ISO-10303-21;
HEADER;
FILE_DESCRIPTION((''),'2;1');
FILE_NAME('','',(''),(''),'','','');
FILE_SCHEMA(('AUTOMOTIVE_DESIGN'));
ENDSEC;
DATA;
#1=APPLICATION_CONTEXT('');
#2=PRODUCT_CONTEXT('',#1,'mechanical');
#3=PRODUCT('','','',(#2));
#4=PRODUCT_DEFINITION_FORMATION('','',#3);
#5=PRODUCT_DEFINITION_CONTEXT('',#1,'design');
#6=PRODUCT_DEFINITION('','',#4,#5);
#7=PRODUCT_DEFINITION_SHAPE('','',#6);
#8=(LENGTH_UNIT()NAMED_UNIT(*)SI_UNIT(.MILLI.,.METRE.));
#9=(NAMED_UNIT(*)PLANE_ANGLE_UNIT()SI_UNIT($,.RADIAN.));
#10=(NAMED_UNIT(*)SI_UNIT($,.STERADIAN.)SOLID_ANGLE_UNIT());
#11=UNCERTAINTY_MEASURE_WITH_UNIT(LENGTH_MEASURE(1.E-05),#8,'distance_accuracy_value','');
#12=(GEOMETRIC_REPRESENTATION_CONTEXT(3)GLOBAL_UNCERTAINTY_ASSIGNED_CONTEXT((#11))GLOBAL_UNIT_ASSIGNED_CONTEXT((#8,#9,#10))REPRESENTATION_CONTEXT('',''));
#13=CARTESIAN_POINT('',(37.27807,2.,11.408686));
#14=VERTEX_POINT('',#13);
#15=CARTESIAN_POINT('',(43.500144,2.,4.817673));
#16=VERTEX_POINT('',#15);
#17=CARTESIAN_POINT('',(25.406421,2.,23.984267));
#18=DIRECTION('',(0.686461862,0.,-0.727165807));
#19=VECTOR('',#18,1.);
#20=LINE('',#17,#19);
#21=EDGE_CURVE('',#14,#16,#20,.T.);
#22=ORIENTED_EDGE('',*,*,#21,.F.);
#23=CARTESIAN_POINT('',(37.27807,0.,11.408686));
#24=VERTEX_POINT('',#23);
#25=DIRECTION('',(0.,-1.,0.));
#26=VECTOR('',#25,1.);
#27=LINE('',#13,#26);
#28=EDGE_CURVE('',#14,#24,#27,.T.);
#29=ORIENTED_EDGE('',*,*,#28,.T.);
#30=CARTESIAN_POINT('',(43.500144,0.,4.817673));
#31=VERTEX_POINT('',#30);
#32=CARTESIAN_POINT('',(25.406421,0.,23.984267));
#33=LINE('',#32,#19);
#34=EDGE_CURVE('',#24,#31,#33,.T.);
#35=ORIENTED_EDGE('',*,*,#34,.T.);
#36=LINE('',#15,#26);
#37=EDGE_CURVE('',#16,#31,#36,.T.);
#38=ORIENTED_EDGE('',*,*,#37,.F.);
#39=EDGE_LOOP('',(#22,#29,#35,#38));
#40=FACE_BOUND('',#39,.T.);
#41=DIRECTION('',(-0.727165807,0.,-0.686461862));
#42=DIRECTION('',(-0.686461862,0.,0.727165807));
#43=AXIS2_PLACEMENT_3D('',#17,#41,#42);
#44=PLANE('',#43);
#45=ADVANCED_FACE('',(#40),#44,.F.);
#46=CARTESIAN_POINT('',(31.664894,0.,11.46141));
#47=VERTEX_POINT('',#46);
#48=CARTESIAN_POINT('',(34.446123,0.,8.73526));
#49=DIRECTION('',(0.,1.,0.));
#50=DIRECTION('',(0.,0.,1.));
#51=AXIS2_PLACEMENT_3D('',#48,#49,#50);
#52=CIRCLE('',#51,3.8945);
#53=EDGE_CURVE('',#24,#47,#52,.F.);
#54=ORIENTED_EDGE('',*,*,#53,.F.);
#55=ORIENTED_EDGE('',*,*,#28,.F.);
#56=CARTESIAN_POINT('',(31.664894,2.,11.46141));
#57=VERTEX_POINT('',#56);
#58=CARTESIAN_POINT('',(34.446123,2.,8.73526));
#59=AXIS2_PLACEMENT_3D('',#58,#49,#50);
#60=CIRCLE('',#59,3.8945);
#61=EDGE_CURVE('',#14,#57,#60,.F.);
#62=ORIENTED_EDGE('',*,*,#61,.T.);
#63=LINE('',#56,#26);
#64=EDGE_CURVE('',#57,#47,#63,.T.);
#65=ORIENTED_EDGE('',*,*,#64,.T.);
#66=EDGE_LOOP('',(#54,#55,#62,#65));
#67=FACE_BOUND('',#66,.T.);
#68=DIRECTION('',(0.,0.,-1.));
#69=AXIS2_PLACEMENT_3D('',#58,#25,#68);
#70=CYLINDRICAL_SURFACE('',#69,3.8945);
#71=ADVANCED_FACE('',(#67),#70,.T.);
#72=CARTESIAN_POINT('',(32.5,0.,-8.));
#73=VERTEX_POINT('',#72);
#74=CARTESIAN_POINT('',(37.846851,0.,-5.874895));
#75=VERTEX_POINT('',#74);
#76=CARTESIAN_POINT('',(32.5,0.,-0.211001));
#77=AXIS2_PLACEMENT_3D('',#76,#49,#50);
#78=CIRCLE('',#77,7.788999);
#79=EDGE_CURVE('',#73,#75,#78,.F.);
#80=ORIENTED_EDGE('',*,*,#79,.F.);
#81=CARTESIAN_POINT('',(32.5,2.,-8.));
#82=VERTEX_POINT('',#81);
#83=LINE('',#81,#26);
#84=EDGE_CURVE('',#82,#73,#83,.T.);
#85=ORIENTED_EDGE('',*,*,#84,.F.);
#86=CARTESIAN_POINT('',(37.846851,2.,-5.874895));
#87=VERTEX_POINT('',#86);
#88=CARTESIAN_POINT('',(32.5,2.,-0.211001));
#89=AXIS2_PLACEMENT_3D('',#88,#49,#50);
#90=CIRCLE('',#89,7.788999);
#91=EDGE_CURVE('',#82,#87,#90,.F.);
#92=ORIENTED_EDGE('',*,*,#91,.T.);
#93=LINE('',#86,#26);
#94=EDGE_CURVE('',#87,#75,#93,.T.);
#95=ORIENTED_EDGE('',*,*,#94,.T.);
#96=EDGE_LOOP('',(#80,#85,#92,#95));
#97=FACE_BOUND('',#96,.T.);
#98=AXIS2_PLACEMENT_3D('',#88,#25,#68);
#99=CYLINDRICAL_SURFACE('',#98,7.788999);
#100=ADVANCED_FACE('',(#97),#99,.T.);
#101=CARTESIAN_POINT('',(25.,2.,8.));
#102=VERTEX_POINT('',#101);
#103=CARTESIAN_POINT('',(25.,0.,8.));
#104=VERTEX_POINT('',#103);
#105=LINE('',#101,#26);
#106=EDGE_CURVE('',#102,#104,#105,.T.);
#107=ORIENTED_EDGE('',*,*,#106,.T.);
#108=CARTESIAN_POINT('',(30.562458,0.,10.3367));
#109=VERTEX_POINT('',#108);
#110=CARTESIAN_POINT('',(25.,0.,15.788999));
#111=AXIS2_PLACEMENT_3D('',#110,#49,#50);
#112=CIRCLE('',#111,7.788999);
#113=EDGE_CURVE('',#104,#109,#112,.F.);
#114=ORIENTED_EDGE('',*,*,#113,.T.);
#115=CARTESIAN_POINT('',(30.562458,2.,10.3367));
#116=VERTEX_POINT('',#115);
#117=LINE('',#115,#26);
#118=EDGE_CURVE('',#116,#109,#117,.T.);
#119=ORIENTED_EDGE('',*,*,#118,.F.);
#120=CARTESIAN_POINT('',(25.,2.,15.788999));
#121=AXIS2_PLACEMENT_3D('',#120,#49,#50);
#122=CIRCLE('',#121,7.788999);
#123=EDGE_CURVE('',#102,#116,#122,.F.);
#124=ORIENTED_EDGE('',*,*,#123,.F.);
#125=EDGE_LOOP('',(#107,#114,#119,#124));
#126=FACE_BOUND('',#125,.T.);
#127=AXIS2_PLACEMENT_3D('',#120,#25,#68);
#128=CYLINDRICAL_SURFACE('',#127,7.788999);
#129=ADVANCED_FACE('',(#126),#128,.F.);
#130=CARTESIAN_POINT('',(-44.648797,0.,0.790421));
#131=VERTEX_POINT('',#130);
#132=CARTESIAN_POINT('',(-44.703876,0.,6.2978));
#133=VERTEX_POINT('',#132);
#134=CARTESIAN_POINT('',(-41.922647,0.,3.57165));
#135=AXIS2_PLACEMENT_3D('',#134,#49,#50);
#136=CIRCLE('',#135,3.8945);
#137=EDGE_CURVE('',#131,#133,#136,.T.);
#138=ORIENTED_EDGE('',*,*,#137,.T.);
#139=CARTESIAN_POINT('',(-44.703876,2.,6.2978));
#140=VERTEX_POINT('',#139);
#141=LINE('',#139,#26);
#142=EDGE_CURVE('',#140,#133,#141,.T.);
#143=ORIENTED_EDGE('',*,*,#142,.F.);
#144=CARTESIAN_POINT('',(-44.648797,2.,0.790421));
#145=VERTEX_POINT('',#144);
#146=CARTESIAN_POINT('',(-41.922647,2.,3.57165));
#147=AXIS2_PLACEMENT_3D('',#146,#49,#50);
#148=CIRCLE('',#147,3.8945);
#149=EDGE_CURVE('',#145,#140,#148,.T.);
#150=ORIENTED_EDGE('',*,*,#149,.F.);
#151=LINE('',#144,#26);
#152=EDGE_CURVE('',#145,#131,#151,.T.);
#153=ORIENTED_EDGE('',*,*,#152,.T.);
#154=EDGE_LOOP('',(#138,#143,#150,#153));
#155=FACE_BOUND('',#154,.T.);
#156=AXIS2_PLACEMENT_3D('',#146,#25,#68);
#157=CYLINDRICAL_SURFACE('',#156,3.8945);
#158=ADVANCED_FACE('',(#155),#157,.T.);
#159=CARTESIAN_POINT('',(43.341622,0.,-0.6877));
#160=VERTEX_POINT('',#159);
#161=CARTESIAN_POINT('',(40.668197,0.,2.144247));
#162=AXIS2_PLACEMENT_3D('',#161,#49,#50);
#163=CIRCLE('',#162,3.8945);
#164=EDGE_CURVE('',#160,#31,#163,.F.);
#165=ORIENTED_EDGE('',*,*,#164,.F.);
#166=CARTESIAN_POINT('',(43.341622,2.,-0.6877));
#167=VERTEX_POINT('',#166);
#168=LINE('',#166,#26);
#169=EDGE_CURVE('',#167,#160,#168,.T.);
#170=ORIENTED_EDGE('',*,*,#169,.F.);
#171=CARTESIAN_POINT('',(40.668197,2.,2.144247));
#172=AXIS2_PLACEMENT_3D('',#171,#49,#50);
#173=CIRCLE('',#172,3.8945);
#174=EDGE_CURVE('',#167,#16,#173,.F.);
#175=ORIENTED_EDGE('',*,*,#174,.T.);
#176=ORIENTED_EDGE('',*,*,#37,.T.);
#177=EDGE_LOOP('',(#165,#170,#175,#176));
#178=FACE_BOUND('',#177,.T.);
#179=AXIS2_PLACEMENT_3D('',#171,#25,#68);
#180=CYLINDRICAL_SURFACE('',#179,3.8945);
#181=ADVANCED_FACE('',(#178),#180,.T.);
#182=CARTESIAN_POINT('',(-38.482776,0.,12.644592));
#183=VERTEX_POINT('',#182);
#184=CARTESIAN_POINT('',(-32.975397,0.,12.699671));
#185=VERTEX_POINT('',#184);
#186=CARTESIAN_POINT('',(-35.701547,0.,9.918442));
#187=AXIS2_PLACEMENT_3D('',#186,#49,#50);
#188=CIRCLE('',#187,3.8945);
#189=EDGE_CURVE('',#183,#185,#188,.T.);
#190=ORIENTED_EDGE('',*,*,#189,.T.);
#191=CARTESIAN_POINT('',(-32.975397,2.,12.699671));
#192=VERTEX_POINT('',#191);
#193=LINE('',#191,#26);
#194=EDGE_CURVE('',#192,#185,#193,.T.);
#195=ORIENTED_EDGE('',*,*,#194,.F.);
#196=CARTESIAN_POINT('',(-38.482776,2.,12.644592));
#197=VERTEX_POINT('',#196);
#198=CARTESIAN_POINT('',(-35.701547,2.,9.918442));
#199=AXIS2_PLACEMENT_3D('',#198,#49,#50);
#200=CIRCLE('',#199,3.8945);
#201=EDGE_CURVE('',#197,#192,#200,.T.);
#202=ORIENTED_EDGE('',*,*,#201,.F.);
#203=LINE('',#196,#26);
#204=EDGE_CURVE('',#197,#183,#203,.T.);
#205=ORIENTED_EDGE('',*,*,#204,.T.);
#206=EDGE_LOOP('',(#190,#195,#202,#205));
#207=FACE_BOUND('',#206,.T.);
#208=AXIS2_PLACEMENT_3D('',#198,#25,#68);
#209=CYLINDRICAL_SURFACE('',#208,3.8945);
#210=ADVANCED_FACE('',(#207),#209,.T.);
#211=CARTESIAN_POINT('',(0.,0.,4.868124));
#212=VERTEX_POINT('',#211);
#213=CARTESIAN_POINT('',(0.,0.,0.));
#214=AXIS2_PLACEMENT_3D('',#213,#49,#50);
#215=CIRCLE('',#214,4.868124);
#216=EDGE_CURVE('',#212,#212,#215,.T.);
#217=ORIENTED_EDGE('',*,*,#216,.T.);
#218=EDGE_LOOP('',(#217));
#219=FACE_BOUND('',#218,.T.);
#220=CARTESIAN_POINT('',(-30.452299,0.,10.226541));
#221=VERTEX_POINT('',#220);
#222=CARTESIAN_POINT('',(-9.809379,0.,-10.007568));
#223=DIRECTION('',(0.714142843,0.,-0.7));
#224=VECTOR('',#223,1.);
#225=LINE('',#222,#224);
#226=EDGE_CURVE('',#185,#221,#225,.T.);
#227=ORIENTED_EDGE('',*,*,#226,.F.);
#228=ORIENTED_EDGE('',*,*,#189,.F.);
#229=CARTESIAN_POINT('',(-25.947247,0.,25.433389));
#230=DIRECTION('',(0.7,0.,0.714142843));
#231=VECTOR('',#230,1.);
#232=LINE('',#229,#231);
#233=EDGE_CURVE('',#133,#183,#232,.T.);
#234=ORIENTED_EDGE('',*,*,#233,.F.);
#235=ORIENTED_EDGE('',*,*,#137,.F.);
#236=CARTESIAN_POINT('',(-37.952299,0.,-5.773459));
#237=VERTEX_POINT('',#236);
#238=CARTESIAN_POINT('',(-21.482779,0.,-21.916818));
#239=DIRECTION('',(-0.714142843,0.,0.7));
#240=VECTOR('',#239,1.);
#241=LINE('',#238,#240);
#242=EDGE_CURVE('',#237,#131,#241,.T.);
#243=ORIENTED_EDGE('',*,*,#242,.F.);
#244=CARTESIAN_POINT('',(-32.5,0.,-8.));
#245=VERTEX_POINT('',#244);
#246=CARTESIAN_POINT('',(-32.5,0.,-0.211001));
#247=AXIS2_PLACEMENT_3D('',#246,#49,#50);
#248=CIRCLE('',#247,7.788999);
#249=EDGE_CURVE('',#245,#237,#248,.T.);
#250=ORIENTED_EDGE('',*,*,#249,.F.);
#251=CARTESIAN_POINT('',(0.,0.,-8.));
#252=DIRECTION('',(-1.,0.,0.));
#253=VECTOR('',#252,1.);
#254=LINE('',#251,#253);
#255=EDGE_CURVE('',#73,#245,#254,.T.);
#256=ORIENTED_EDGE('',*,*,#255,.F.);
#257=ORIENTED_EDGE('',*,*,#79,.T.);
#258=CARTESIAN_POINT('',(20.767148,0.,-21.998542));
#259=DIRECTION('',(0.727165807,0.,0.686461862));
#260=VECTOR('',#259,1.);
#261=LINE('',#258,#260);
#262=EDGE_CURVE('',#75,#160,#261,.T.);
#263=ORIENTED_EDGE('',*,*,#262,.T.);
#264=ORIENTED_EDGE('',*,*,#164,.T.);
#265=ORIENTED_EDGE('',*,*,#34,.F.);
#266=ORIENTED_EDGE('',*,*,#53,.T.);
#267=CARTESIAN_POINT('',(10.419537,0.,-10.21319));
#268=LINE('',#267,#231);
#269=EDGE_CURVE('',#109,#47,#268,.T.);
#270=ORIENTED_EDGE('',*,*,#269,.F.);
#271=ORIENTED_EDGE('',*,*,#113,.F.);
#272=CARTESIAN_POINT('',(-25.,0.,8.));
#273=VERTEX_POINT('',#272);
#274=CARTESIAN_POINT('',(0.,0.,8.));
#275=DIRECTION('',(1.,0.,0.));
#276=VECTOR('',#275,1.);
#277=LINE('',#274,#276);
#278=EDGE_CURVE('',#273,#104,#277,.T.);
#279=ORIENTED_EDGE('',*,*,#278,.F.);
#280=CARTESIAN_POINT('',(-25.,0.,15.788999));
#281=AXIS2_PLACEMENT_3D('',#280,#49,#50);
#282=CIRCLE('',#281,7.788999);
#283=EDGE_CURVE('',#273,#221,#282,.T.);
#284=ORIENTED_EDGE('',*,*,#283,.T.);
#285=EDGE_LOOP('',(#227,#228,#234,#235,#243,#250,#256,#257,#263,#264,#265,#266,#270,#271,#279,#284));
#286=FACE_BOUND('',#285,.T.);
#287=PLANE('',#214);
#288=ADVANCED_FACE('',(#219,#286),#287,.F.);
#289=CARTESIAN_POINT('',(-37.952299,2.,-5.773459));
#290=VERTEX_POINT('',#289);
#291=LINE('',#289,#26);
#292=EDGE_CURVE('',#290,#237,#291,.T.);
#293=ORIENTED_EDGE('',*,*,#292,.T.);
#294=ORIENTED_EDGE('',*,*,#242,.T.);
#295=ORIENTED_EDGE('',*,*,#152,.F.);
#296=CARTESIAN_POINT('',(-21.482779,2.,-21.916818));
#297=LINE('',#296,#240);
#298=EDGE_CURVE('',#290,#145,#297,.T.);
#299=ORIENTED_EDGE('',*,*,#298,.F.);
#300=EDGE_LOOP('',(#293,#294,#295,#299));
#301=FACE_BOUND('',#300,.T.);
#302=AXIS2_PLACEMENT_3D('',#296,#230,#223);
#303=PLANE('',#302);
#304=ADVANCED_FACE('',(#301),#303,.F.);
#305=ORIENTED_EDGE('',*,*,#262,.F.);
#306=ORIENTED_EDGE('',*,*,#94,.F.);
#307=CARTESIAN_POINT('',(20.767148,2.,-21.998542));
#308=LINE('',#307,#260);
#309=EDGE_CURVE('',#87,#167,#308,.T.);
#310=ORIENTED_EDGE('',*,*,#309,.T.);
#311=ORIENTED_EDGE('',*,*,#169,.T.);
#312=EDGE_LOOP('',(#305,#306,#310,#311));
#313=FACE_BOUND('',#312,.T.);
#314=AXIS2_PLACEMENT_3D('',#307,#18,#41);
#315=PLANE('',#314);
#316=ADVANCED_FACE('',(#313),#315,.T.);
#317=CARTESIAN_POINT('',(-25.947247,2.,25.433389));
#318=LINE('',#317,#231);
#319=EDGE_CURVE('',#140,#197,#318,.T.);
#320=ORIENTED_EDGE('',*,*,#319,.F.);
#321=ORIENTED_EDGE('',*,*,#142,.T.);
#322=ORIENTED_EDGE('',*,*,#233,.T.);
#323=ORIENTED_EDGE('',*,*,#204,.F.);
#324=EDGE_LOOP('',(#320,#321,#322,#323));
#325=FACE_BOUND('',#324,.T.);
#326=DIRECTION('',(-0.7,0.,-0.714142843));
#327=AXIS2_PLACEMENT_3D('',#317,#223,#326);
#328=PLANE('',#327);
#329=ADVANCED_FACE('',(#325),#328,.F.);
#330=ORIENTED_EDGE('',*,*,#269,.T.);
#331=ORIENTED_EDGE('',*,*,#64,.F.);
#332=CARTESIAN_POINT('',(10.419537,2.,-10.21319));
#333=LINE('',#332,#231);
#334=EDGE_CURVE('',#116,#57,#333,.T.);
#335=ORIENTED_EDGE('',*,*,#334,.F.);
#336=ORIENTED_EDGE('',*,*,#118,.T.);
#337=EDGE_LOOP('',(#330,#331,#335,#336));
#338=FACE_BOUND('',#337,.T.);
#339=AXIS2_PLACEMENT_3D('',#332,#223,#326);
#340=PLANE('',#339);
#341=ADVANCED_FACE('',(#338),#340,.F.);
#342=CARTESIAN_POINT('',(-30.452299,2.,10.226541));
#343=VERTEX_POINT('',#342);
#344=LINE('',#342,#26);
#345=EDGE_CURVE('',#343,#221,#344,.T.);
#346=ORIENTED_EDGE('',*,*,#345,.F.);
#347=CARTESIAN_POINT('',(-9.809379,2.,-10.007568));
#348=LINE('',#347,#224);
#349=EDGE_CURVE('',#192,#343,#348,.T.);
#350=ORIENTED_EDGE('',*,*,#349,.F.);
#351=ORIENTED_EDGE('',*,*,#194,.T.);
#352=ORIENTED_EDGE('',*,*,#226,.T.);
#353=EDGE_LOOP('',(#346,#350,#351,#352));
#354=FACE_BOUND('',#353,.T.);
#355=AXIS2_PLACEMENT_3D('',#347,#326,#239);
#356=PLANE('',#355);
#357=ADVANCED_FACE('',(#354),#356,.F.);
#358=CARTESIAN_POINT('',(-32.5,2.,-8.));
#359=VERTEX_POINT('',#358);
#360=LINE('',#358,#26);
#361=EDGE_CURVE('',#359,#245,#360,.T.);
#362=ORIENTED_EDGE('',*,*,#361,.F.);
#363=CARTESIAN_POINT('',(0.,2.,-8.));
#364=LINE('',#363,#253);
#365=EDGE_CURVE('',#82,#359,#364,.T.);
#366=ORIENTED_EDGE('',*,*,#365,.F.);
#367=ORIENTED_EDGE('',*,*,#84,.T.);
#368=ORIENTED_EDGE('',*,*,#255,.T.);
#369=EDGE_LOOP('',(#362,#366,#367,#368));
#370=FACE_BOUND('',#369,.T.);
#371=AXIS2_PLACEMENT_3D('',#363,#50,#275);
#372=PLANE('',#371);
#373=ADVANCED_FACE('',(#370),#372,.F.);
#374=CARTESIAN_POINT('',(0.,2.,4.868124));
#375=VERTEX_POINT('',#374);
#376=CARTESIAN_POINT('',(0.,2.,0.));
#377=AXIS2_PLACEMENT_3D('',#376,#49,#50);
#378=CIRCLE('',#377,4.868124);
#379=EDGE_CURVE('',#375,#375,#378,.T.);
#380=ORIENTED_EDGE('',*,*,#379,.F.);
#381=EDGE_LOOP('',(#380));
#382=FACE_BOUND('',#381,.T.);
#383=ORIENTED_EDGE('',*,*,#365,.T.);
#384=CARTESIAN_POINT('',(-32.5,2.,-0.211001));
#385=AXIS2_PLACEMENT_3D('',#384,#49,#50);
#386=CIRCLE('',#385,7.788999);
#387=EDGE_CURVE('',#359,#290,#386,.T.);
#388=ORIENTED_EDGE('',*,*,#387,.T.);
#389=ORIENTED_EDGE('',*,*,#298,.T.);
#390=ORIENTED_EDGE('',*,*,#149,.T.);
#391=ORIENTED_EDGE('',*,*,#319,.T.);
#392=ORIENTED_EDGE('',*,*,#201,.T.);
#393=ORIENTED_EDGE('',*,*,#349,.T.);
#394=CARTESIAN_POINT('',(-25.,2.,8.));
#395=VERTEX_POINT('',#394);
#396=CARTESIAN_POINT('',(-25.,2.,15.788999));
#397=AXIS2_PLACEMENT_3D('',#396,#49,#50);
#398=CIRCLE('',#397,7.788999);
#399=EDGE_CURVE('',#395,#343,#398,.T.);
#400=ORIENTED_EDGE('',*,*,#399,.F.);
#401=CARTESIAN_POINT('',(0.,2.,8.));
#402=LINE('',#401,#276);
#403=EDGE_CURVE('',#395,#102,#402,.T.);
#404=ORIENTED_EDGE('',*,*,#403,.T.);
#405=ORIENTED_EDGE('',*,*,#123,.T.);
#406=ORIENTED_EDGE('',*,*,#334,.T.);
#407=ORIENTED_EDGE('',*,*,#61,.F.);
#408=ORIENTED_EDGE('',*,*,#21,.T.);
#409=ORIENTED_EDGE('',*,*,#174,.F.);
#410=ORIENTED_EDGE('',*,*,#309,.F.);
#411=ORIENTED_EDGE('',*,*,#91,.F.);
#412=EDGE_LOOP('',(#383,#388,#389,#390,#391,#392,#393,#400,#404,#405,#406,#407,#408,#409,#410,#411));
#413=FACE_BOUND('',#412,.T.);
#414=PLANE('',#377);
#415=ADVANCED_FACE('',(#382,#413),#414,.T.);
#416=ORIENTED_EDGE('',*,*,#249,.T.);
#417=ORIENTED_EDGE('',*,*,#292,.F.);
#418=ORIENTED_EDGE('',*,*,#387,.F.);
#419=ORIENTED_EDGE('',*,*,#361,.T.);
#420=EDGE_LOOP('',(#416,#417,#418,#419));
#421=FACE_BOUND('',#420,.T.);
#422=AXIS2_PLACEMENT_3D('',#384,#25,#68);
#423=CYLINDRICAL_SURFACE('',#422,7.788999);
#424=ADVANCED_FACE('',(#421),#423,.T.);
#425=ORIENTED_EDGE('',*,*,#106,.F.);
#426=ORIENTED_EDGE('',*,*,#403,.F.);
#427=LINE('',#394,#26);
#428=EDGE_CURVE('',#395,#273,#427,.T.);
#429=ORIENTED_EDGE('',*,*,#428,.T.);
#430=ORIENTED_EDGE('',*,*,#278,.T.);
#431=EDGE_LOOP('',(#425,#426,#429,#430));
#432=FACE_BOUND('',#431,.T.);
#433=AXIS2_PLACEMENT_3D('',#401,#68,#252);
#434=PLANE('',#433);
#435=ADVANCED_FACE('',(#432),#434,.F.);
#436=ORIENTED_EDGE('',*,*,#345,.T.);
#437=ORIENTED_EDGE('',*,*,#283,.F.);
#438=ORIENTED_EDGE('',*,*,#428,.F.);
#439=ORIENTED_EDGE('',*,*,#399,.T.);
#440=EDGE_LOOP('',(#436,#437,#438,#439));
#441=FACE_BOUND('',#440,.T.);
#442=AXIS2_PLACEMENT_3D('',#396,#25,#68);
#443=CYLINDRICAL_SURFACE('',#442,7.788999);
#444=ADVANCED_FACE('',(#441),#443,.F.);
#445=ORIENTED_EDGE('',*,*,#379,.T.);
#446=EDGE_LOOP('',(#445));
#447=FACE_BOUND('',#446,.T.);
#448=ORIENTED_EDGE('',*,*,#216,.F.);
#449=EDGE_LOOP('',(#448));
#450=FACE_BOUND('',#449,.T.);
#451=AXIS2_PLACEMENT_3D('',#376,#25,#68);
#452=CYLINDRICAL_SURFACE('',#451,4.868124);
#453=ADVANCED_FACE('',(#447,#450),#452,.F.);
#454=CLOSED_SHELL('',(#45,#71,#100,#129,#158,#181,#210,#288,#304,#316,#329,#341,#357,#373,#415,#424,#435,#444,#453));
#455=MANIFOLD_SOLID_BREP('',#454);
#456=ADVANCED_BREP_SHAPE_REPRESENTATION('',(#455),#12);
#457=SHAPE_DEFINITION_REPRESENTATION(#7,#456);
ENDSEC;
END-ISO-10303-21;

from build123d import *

# Parameters (mm, degrees)
SKETCH2_R           = 4.868124445
BOSS_EXTRUDE1_DEPTH = 2


with BuildPart() as part:
    # Sketch2 → Boss-Extrude1 (new body)
    with BuildSketch(Plane(origin=(0, 0, 0), x_dir=(1, 0, 0), z_dir=(0, 1, 0))):
        with BuildLine():
            ThreePointArc((37.278070291, -11.408685578), (34.482702596, -12.629587927), (31.664894392, -11.461409849))
            Line((31.664894392, -11.461409849), (30.562457969, -10.336699734))
            ThreePointArc((30.562457969, -10.336699734), (28.016666385, -8.607896753), (25, -8))
            Line((25, -8), (-25, -8))
            ThreePointArc((-25, -8), (-27.944700918, -8.578087681), (-30.452299379, -10.226541143))
            Line((-30.452299379, -10.226541143), (-32.975396929, -12.699671418))
            ThreePointArc((-32.975396929, -12.699671418), (-35.740493562, -13.812747241), (-38.482775603, -12.644592123))
            Line((-38.482775603, -12.644592123), (-44.703876064, -6.297800167))
            ThreePointArc((-44.703876064, -6.297800167), (-45.816951887, -3.532703535), (-44.648796769, -0.790421493))
            Line((-44.648796769, -0.790421493), (-37.952299379, 5.773458857))
            ThreePointArc((-37.952299379, 5.773458857), (-35.444700918, 7.421912319), (-32.5, 8))
            Line((-32.5, 8), (32.5, 8))
            ThreePointArc((32.5, 8), (35.376842294, 7.449252444), (37.846850837, 5.874894716))
            Line((37.846850837, 5.874894716), (43.341622103, 0.687699611))
            ThreePointArc((43.341622103, 0.687699611), (44.561082794, -2.032155678), (43.500143599, -4.817672722))
            Line((43.500143599, -4.817672722), (37.278070291, -11.408685578))
        make_face()
        with Locations(Location((0, 0, 0), (0, 0, 270))):
            Circle(SKETCH2_R, mode=Mode.SUBTRACT)
    extrude(amount=BOSS_EXTRUDE1_DEPTH)


solid = part.part
